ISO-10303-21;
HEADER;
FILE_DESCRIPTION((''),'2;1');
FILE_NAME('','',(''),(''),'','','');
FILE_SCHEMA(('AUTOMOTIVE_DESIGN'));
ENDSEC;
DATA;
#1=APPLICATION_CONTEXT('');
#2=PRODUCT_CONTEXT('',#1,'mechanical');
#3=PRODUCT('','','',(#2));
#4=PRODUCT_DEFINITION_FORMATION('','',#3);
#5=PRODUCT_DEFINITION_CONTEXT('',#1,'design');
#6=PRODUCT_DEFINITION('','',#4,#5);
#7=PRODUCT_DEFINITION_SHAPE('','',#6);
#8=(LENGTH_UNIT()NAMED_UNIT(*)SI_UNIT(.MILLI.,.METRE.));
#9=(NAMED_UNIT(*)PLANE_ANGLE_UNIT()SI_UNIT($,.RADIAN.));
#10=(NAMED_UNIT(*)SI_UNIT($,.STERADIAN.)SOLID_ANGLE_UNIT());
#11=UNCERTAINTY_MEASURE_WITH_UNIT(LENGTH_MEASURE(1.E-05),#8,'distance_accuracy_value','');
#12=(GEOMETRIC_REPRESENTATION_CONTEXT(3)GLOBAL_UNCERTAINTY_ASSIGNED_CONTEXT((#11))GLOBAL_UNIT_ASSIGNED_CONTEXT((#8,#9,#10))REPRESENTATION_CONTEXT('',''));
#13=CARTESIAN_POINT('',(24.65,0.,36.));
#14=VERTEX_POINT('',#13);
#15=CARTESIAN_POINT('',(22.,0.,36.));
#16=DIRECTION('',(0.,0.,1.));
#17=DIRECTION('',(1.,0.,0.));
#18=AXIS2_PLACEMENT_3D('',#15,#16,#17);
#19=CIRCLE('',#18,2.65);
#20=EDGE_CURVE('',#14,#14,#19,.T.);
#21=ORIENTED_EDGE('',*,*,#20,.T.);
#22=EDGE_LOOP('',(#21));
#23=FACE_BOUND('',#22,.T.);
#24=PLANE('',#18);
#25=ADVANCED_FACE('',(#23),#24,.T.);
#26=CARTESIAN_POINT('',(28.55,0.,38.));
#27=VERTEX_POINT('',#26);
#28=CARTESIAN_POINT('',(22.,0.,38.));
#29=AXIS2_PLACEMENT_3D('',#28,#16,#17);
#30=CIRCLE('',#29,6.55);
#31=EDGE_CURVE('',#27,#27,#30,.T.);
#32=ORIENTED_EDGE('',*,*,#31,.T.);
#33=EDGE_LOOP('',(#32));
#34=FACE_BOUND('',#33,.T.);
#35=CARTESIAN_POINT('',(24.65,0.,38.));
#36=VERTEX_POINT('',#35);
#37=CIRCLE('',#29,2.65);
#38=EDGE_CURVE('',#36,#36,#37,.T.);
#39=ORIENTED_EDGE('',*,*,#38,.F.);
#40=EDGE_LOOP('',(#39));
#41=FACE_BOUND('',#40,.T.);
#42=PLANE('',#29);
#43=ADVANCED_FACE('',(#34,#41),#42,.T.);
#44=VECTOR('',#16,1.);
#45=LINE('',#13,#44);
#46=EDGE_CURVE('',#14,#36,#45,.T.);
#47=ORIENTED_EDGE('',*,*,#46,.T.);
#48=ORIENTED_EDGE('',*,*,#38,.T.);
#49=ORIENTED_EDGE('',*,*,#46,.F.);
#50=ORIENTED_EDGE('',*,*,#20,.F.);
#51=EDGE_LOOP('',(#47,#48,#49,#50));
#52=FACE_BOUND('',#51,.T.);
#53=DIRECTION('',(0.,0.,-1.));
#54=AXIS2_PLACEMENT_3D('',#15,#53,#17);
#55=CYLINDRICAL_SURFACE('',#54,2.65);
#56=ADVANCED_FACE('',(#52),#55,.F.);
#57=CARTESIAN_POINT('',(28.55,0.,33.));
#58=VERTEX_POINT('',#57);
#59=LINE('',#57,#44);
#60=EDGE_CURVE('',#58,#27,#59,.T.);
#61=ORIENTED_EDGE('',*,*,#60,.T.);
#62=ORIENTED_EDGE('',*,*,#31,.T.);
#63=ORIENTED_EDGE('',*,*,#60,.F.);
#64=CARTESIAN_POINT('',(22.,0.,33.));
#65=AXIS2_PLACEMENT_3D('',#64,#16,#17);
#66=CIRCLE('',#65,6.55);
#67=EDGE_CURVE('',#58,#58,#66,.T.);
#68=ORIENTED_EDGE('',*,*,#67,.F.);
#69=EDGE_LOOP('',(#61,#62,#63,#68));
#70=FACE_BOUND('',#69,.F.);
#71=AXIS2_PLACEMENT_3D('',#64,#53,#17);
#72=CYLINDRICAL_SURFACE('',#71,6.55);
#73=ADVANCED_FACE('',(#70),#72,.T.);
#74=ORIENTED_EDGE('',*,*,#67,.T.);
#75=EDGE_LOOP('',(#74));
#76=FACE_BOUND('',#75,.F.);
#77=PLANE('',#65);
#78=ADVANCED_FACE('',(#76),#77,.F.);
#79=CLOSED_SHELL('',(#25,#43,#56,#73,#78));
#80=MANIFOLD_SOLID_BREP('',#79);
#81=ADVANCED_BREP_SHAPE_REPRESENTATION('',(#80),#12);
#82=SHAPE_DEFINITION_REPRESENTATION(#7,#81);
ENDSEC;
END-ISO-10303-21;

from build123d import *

# Parameters (mm, degrees)
CYLINDER017_R     = 2.65
CYLINDER017_DEPTH = 2
CYLINDER016_R     = 6.55
CYLINDER016_DEPTH = 5


with BuildPart() as cylinder017:
    # Cylinder017 → Cylinder017 (new body)
    with BuildSketch(Plane.XY.offset(3)):
        Circle(CYLINDER017_R)
    extrude(amount=CYLINDER017_DEPTH)


with BuildPart() as cut028006004005015:
    # Cylinder016 → Cylinder016 (new body)
    with BuildSketch(Plane.XY):
        Circle(CYLINDER016_R)
    extrude(amount=CYLINDER016_DEPTH)

    # Cut028006004005015: cut Cylinder017
    add(cylinder017.part, mode=Mode.SUBTRACT)


with BuildPart() as cut028006004005015_1:
    # Cut028006004005015 placement: moved
    add(cut028006004005015.part.moved(Location((22, 0, 33))))


solid = cut028006004005015_1.part
